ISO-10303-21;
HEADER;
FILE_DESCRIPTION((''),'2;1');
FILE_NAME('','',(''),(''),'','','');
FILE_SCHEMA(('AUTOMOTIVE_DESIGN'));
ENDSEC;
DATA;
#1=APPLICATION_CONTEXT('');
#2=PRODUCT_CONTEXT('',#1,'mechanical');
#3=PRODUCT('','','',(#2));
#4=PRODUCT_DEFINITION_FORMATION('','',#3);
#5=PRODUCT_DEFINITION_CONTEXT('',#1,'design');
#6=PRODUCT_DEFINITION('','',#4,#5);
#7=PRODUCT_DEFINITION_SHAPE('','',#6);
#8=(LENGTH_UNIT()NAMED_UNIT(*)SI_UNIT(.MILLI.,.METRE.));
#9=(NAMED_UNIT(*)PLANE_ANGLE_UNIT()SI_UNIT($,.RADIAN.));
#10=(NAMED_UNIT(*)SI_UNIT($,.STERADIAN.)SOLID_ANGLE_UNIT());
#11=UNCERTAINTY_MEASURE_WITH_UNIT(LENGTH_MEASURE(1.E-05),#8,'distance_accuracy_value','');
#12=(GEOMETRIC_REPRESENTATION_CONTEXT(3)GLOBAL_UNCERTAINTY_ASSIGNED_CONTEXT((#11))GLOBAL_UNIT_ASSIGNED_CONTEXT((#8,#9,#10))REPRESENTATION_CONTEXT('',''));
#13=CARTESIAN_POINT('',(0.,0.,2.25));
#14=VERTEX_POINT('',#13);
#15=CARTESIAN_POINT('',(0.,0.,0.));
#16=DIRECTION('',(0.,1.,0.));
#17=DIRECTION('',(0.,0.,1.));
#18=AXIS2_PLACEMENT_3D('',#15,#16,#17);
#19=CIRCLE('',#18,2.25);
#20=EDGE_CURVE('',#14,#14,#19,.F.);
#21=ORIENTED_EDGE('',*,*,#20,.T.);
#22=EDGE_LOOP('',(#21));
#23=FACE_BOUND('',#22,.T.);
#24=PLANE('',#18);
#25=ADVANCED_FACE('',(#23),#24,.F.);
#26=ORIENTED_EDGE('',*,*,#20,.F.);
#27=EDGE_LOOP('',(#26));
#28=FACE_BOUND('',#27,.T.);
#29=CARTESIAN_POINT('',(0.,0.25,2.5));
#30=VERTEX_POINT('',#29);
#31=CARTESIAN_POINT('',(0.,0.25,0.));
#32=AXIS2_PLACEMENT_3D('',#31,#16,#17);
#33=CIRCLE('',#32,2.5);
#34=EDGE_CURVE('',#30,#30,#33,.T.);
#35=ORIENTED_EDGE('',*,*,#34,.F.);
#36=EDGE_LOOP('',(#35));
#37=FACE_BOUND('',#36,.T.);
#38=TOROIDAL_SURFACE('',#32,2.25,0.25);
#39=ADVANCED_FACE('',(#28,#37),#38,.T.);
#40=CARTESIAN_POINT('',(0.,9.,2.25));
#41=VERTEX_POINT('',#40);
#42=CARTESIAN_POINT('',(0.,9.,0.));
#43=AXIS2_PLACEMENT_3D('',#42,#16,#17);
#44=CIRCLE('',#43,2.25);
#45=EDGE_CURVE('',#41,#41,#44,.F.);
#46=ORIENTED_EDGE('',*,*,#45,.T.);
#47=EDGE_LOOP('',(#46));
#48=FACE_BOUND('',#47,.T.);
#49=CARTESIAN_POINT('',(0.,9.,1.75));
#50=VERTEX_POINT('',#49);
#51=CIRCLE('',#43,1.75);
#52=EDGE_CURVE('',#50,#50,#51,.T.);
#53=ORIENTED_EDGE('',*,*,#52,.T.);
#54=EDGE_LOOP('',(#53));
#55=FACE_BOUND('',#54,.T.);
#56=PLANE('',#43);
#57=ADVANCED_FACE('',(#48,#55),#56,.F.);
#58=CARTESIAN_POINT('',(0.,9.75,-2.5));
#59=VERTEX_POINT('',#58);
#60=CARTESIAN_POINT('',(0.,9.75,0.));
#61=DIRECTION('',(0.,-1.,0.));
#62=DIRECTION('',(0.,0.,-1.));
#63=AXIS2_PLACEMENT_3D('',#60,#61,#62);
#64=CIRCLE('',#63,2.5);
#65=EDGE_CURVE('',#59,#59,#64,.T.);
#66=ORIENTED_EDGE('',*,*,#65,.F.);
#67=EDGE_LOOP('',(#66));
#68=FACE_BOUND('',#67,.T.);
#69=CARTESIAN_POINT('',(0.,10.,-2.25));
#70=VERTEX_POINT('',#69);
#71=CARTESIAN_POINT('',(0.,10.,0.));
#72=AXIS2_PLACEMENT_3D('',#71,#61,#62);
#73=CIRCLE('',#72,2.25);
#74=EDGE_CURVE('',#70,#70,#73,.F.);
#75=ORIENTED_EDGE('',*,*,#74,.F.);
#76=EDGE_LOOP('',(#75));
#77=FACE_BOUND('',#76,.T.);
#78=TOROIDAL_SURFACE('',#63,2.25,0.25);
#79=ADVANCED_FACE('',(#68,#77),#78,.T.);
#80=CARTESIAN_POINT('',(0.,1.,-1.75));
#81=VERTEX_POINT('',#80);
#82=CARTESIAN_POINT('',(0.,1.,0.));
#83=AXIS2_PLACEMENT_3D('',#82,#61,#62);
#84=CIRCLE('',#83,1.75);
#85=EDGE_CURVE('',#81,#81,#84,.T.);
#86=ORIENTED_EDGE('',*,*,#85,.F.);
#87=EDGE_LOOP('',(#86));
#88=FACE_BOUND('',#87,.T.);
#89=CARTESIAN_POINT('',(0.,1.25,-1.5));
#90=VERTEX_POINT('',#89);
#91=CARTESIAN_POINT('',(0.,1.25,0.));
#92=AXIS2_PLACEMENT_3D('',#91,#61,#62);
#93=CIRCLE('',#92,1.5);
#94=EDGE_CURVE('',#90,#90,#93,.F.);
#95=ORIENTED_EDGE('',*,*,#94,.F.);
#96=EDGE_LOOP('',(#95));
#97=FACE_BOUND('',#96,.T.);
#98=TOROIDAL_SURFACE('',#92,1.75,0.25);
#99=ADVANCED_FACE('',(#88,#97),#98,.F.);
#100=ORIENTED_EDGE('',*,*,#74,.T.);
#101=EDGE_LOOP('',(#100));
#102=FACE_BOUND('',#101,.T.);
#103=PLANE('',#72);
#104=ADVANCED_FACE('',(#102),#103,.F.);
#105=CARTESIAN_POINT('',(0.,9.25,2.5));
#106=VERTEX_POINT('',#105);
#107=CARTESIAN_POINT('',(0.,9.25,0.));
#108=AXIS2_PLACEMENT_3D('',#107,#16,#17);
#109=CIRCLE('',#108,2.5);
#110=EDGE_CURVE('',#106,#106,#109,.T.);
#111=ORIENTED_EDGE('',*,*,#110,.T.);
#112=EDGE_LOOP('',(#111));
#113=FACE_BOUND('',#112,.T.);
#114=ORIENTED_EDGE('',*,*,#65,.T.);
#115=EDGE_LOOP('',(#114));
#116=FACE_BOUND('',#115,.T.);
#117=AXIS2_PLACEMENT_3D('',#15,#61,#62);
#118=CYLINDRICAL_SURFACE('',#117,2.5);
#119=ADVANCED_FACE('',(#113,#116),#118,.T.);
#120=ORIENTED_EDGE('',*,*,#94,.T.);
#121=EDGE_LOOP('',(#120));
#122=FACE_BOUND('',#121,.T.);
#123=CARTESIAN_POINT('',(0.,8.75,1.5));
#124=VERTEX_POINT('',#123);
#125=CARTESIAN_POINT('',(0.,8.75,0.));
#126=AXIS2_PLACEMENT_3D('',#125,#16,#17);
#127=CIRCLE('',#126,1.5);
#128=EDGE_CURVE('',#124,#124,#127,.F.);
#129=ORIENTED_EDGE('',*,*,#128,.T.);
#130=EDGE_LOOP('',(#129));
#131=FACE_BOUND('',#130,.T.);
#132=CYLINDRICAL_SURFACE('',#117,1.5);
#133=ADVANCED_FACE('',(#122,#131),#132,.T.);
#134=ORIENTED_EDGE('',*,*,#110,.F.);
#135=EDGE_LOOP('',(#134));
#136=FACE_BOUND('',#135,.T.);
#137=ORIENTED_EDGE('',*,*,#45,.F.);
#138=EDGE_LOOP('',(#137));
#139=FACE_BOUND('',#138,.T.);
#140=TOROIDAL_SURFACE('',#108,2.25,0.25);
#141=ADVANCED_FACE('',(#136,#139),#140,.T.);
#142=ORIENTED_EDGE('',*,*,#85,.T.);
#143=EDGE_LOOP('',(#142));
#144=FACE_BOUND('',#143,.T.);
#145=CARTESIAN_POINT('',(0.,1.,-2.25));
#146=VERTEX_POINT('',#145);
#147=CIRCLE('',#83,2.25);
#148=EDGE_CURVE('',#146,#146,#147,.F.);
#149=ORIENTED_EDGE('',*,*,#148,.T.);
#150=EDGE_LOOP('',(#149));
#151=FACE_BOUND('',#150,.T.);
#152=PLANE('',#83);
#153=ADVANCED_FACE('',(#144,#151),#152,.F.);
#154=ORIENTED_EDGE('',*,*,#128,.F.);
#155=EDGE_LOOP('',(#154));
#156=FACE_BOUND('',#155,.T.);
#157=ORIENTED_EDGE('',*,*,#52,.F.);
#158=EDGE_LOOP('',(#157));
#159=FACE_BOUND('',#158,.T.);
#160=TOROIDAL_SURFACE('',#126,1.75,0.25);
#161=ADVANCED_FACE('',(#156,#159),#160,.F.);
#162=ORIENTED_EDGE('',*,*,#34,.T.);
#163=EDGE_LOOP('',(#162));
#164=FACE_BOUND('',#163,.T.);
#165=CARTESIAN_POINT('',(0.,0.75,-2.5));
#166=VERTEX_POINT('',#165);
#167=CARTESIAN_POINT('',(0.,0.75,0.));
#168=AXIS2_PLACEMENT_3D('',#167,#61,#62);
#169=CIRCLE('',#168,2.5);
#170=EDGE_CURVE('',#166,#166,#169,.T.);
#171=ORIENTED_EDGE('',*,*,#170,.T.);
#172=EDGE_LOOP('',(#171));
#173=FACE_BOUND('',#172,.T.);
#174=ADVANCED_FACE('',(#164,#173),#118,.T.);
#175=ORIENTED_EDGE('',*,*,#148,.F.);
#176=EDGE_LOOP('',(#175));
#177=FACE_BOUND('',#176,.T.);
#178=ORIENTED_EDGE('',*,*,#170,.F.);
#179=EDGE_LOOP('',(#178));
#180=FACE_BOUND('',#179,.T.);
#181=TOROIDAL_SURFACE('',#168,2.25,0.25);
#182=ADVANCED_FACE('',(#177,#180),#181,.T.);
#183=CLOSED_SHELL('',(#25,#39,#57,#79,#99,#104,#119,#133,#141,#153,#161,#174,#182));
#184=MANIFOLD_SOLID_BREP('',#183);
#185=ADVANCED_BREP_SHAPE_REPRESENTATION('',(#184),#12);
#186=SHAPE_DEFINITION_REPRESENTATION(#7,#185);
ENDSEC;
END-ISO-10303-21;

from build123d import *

# Parameters (mm, degrees)
FILLET1_R = 0.25


with BuildPart() as part:
    # Sketch2 → Revolve1 (revolve)
    with BuildSketch(Plane.XY, mode=Mode.PRIVATE) as revolve1_sk:
        Polygon((-2.5, 1), (-2.5, 0), (0, 0), (0, 10), (-2.5, 10), (-2.5, 9), (-1.5, 9), (-1.5, 1), align=None)
    revolve(revolve1_sk.sketch.rotate(Axis((0, 0, 0), (0, 1, 0)), 270), axis=Axis((0, 0, 0), (0, 1, 0)))

    # Fillet1
    fillet1_edges = [part.edges().sort_by_distance(p)[0] for p in [
        (0, 0, 2.5),
        (0, 1, 2.5),
        (0, 1, 1.5),
        (0, 9, 1.5),
        (0, 9, 2.5),
        (0, 10, 2.5),
    ]]
    fillet(fillet1_edges, radius=FILLET1_R)


solid = part.part
